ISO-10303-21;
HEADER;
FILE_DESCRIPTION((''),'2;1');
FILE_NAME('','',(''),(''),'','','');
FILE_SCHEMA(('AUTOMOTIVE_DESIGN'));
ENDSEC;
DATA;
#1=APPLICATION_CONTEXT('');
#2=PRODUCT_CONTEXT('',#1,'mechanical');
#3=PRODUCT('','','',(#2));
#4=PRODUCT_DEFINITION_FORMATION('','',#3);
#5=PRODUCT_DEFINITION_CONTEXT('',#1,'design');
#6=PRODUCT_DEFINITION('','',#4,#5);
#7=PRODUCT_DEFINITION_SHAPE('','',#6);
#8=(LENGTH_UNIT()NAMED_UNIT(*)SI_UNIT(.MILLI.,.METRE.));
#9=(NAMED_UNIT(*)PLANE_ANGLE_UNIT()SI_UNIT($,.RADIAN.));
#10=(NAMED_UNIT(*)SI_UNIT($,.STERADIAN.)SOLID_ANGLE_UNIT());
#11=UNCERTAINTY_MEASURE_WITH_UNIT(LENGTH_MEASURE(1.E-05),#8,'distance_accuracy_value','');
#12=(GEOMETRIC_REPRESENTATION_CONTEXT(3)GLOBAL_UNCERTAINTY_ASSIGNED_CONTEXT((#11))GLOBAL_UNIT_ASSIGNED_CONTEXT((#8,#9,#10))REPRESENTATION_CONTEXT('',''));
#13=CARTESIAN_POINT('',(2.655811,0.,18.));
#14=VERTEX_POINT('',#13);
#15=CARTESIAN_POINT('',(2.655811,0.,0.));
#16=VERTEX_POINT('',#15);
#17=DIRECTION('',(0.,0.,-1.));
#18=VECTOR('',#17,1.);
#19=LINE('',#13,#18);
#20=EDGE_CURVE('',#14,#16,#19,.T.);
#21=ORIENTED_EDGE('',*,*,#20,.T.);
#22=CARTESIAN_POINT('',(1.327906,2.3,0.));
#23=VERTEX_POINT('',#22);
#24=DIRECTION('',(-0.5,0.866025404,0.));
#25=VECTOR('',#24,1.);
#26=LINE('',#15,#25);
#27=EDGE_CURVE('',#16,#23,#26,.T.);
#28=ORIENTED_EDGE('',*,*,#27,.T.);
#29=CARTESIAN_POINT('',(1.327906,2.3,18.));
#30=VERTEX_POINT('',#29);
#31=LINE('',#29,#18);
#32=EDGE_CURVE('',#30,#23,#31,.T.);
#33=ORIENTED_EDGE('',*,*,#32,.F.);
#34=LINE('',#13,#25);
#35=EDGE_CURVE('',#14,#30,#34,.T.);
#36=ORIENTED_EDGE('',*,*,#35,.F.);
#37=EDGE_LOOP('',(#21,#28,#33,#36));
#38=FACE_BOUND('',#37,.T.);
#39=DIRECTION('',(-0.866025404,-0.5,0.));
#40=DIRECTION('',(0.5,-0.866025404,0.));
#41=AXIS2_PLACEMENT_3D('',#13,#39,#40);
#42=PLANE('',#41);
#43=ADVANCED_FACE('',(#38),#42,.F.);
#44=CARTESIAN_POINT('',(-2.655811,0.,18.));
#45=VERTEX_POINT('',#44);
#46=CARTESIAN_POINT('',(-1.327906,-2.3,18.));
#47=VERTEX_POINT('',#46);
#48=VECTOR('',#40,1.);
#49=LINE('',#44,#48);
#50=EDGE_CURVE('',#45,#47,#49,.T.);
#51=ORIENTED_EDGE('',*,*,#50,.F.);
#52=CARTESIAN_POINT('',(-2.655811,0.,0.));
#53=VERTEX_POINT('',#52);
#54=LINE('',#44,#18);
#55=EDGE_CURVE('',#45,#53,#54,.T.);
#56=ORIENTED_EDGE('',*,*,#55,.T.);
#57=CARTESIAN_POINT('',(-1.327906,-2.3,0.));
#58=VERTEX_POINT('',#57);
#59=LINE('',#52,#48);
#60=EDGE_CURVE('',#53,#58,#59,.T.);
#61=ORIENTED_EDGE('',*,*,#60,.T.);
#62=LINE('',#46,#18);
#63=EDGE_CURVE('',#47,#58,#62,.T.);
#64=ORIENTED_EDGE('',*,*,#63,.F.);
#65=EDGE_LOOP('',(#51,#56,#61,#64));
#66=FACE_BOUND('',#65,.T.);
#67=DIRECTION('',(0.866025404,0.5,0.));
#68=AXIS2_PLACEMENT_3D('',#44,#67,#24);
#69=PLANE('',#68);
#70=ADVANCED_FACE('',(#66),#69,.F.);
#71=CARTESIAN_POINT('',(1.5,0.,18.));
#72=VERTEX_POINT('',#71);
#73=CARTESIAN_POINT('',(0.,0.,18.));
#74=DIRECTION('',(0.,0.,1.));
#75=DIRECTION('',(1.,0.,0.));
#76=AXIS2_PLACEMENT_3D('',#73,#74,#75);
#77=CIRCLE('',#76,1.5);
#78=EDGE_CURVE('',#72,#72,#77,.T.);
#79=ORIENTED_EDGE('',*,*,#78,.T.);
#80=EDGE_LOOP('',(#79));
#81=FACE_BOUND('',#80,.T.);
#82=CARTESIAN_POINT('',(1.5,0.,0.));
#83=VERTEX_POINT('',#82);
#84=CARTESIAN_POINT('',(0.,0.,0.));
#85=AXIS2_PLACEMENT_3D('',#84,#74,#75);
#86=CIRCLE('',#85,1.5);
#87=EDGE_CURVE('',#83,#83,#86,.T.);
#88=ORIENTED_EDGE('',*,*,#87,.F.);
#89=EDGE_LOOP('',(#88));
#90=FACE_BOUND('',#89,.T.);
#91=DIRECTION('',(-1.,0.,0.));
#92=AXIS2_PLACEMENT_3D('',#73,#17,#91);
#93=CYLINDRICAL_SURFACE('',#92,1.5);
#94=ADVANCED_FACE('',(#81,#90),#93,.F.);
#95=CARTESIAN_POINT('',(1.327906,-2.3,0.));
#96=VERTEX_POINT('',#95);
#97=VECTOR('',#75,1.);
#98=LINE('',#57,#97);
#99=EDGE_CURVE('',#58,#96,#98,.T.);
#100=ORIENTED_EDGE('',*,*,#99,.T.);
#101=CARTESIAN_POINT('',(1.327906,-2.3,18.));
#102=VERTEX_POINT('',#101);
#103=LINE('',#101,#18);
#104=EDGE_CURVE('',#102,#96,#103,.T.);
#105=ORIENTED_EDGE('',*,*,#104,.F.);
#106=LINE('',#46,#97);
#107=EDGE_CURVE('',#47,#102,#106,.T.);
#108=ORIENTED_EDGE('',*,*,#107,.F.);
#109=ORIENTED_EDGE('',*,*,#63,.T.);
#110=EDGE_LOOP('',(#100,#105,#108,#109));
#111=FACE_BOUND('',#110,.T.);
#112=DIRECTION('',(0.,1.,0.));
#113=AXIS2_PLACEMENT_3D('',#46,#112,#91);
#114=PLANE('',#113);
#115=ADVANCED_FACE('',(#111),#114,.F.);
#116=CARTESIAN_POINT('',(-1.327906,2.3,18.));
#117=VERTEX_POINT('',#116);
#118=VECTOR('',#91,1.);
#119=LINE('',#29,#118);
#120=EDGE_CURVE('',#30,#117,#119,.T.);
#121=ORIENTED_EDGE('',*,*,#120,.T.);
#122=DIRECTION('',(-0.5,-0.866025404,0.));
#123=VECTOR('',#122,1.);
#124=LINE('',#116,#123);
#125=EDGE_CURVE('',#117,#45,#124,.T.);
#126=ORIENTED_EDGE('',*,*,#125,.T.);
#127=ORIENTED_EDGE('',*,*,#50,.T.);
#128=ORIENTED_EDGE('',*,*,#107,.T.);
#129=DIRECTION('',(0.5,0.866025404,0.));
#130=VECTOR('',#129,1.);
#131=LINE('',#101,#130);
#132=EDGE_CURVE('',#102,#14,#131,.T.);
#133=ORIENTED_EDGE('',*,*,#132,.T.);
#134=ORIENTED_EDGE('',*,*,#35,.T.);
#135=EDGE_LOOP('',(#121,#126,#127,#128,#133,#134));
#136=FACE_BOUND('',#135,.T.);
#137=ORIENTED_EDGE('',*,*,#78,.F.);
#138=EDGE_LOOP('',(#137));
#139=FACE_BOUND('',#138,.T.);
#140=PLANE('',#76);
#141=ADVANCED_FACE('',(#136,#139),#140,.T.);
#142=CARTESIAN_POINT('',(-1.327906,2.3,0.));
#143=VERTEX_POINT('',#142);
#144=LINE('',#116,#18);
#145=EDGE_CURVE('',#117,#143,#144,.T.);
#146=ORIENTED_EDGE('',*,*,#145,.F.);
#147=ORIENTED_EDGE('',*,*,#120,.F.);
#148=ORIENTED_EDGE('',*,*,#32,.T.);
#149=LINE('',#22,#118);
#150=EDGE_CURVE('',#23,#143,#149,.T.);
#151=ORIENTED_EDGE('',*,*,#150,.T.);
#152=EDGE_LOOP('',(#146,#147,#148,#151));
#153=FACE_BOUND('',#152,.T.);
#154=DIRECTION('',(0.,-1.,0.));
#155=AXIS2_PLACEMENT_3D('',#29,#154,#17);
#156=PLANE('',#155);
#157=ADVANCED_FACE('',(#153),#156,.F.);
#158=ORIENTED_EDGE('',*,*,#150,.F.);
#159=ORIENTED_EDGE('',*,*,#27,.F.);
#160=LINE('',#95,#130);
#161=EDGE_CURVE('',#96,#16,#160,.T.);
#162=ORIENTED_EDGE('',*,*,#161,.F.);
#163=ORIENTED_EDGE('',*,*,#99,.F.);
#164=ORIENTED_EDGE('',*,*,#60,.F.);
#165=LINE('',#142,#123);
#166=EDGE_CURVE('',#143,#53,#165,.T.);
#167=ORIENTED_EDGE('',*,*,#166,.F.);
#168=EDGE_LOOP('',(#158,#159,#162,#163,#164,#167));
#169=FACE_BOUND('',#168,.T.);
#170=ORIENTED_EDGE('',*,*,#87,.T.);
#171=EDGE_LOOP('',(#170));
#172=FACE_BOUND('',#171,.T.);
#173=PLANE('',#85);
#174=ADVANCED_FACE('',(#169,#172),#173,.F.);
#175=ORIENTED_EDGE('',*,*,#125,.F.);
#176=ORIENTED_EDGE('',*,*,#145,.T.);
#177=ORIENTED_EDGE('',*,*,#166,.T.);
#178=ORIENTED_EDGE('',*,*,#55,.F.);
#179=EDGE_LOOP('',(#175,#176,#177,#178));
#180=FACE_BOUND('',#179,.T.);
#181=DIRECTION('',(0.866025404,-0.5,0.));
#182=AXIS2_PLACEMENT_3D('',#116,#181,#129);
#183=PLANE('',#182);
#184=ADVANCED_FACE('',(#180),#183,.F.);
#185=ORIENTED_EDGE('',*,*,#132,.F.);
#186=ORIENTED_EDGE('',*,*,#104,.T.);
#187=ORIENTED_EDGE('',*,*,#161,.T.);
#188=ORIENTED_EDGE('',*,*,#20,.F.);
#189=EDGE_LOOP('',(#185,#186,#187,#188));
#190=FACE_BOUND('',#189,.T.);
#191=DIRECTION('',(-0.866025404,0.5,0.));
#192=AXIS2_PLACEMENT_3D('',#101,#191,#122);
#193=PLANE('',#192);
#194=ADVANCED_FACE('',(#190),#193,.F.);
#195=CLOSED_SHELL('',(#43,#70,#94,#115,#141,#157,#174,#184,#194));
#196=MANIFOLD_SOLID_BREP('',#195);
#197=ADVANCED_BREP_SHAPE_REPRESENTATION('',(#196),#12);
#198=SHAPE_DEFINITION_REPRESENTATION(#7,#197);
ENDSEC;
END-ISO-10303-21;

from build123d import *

# Parameters (mm, degrees)
SKETCH_1_R      = 1.5
EXTRUDE_1_DEPTH = 18


with BuildPart() as part:
    # 草图1 → 凸台-拉伸1 (new body)
    with BuildSketch(Plane.XY):
        Polygon((2.655811238, 0), (1.327905619, 2.3), (-1.327905619, 2.3), (-2.655811238, 0), (-1.327905619, -2.3), (1.327905619, -2.3), align=None)
        Circle(SKETCH_1_R, mode=Mode.SUBTRACT)
    extrude(amount=EXTRUDE_1_DEPTH)


solid = part.part
